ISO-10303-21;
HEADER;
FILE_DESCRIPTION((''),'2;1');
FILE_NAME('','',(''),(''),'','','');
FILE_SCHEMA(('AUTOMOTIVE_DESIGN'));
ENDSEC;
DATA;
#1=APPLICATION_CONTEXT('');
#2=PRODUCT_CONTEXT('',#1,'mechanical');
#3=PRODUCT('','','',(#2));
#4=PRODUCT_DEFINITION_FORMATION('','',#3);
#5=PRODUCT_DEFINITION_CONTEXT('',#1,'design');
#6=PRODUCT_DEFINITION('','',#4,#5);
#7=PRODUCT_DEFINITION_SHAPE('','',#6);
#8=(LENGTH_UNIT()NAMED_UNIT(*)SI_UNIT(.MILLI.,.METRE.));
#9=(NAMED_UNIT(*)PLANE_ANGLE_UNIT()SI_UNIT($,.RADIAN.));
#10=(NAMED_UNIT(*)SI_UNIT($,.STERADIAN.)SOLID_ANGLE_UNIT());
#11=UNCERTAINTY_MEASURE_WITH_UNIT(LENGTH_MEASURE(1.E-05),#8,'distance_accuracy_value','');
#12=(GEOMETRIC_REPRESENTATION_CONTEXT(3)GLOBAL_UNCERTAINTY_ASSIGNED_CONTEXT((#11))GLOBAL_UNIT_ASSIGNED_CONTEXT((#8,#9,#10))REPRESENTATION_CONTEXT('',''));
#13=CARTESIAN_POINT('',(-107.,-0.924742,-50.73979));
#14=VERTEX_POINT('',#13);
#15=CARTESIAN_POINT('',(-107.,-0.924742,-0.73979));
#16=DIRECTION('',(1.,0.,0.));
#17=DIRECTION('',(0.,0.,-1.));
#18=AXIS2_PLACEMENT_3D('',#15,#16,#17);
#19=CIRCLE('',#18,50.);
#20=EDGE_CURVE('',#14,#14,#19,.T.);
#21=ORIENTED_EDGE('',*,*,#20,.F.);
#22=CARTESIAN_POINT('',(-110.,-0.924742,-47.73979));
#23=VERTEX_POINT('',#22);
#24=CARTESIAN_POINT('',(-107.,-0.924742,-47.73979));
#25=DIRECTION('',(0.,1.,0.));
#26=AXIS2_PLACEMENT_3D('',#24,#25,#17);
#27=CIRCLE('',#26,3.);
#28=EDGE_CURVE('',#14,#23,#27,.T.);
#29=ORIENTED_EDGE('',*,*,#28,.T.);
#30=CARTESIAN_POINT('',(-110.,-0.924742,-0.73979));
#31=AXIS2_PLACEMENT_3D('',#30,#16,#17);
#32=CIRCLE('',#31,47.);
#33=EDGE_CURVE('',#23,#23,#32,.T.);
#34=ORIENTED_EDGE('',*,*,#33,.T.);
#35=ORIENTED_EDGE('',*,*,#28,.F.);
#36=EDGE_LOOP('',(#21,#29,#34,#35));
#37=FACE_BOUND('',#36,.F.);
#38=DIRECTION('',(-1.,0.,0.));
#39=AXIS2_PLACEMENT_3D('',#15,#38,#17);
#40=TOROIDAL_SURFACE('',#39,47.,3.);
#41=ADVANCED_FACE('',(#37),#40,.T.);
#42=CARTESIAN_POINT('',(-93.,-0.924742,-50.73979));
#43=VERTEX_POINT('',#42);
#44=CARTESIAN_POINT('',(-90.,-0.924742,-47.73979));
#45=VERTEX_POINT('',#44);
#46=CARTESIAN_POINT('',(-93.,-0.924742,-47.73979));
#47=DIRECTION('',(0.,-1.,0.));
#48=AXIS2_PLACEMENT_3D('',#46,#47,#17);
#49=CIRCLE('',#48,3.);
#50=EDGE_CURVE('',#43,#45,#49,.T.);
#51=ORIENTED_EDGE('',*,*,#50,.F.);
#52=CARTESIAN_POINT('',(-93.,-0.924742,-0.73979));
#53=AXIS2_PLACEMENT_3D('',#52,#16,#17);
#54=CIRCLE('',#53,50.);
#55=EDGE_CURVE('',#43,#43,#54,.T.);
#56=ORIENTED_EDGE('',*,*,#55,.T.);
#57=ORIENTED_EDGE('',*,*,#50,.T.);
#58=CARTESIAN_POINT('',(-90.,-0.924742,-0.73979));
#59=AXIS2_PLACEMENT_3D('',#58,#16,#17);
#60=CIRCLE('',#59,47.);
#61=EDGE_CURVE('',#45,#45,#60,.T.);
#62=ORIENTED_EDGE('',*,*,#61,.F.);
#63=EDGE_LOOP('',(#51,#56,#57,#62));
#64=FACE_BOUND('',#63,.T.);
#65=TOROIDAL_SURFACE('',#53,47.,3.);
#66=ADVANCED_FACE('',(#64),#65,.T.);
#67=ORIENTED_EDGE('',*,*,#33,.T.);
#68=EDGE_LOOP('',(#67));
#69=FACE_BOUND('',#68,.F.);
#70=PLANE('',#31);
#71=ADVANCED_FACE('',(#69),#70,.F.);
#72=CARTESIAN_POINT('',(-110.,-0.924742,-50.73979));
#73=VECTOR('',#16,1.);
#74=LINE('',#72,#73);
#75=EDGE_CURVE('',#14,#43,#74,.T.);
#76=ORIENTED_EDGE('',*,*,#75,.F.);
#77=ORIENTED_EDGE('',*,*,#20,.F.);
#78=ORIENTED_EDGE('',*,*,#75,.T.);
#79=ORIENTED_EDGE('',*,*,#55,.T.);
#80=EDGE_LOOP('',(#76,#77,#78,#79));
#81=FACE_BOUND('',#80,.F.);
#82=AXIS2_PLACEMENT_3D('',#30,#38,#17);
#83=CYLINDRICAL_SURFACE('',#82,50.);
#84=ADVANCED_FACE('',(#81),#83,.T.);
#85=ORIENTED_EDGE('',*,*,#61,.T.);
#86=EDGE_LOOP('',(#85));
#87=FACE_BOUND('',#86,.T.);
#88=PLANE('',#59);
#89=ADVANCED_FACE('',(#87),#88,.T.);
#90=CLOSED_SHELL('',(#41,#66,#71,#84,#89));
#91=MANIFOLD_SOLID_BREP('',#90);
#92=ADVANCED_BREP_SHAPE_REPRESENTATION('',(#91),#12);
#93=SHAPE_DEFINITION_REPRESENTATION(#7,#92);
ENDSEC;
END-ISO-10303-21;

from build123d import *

# Parameters (mm, degrees)
SKETCH002_R  = 50
PAD002_DEPTH = 20
FILLET003_R  = 3
FILLET004_R  = 3


with BuildPart() as part:
    # Sketch002 → Pad002 (new body)
    with BuildSketch(Plane(origin=(-110, 0, 0), x_dir=(0, 0, -1), z_dir=(1, 0, 0))):
        with Locations((0.73979, -0.924742)):
            Circle(SKETCH002_R)
    extrude(amount=PAD002_DEPTH)

    # Fillet003
    fillet003_edges = [part.edges().sort_by_distance(p)[0] for p in [
        (-90, -0.924742, 49.26021),
    ]]
    fillet(fillet003_edges, radius=FILLET003_R)

    # Fillet004
    fillet004_edges = [part.edges().sort_by_distance(p)[0] for p in [
        (-110, -0.924742, 49.26021),
    ]]
    fillet(fillet004_edges, radius=FILLET004_R)


solid = part.part
